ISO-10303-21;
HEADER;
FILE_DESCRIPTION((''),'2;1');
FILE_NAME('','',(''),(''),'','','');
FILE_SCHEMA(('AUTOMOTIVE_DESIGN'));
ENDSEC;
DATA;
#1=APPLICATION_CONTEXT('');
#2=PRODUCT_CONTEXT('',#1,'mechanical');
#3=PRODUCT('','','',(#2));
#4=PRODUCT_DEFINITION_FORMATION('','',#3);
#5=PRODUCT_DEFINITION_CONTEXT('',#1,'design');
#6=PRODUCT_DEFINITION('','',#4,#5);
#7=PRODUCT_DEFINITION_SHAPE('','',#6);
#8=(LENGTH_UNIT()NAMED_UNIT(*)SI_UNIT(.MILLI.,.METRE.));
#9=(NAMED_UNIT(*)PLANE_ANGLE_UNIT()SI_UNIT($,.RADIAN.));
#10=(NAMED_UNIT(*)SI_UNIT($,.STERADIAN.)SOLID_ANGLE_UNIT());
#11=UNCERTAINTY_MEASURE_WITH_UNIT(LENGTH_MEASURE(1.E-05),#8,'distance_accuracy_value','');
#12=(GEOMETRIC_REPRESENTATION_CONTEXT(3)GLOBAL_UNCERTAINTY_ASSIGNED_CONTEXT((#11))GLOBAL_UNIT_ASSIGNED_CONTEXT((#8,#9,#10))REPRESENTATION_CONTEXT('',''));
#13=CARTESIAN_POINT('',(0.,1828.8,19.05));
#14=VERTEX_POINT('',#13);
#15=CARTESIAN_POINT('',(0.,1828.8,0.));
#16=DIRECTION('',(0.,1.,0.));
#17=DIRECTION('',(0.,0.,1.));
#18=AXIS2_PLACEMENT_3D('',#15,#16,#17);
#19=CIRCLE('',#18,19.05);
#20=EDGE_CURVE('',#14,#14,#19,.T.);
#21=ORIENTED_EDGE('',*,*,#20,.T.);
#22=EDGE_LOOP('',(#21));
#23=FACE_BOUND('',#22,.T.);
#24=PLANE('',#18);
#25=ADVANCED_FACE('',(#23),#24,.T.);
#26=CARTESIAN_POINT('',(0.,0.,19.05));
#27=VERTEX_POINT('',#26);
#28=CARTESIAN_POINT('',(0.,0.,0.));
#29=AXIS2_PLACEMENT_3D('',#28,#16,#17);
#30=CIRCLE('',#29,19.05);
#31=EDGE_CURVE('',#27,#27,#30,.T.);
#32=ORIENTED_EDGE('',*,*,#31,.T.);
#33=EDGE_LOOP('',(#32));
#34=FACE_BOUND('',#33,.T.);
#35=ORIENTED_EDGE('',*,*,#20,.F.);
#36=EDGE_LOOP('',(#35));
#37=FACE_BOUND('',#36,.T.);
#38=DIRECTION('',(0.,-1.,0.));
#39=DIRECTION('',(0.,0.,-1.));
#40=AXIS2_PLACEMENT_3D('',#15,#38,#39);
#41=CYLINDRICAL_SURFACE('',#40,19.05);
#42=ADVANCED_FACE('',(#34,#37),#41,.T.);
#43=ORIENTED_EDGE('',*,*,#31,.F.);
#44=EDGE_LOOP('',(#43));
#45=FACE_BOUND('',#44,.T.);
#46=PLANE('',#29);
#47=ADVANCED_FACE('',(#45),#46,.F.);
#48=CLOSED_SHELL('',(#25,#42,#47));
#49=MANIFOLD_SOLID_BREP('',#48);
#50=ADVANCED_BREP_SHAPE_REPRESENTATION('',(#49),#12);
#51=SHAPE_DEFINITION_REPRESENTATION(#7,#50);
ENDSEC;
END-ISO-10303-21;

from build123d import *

# Parameters (mm, degrees)
SKETCH1_R           = 19.05
BOSS_EXTRUDE1_DEPTH = 1828.8


with BuildPart() as part:
    # Sketch1 → Boss-Extrude1 (new body)
    with BuildSketch(Plane(origin=(0, 0, 0), x_dir=(1, 0, 0), z_dir=(0, 1, 0))):
        Circle(SKETCH1_R)
    extrude(amount=BOSS_EXTRUDE1_DEPTH)


solid = part.part
